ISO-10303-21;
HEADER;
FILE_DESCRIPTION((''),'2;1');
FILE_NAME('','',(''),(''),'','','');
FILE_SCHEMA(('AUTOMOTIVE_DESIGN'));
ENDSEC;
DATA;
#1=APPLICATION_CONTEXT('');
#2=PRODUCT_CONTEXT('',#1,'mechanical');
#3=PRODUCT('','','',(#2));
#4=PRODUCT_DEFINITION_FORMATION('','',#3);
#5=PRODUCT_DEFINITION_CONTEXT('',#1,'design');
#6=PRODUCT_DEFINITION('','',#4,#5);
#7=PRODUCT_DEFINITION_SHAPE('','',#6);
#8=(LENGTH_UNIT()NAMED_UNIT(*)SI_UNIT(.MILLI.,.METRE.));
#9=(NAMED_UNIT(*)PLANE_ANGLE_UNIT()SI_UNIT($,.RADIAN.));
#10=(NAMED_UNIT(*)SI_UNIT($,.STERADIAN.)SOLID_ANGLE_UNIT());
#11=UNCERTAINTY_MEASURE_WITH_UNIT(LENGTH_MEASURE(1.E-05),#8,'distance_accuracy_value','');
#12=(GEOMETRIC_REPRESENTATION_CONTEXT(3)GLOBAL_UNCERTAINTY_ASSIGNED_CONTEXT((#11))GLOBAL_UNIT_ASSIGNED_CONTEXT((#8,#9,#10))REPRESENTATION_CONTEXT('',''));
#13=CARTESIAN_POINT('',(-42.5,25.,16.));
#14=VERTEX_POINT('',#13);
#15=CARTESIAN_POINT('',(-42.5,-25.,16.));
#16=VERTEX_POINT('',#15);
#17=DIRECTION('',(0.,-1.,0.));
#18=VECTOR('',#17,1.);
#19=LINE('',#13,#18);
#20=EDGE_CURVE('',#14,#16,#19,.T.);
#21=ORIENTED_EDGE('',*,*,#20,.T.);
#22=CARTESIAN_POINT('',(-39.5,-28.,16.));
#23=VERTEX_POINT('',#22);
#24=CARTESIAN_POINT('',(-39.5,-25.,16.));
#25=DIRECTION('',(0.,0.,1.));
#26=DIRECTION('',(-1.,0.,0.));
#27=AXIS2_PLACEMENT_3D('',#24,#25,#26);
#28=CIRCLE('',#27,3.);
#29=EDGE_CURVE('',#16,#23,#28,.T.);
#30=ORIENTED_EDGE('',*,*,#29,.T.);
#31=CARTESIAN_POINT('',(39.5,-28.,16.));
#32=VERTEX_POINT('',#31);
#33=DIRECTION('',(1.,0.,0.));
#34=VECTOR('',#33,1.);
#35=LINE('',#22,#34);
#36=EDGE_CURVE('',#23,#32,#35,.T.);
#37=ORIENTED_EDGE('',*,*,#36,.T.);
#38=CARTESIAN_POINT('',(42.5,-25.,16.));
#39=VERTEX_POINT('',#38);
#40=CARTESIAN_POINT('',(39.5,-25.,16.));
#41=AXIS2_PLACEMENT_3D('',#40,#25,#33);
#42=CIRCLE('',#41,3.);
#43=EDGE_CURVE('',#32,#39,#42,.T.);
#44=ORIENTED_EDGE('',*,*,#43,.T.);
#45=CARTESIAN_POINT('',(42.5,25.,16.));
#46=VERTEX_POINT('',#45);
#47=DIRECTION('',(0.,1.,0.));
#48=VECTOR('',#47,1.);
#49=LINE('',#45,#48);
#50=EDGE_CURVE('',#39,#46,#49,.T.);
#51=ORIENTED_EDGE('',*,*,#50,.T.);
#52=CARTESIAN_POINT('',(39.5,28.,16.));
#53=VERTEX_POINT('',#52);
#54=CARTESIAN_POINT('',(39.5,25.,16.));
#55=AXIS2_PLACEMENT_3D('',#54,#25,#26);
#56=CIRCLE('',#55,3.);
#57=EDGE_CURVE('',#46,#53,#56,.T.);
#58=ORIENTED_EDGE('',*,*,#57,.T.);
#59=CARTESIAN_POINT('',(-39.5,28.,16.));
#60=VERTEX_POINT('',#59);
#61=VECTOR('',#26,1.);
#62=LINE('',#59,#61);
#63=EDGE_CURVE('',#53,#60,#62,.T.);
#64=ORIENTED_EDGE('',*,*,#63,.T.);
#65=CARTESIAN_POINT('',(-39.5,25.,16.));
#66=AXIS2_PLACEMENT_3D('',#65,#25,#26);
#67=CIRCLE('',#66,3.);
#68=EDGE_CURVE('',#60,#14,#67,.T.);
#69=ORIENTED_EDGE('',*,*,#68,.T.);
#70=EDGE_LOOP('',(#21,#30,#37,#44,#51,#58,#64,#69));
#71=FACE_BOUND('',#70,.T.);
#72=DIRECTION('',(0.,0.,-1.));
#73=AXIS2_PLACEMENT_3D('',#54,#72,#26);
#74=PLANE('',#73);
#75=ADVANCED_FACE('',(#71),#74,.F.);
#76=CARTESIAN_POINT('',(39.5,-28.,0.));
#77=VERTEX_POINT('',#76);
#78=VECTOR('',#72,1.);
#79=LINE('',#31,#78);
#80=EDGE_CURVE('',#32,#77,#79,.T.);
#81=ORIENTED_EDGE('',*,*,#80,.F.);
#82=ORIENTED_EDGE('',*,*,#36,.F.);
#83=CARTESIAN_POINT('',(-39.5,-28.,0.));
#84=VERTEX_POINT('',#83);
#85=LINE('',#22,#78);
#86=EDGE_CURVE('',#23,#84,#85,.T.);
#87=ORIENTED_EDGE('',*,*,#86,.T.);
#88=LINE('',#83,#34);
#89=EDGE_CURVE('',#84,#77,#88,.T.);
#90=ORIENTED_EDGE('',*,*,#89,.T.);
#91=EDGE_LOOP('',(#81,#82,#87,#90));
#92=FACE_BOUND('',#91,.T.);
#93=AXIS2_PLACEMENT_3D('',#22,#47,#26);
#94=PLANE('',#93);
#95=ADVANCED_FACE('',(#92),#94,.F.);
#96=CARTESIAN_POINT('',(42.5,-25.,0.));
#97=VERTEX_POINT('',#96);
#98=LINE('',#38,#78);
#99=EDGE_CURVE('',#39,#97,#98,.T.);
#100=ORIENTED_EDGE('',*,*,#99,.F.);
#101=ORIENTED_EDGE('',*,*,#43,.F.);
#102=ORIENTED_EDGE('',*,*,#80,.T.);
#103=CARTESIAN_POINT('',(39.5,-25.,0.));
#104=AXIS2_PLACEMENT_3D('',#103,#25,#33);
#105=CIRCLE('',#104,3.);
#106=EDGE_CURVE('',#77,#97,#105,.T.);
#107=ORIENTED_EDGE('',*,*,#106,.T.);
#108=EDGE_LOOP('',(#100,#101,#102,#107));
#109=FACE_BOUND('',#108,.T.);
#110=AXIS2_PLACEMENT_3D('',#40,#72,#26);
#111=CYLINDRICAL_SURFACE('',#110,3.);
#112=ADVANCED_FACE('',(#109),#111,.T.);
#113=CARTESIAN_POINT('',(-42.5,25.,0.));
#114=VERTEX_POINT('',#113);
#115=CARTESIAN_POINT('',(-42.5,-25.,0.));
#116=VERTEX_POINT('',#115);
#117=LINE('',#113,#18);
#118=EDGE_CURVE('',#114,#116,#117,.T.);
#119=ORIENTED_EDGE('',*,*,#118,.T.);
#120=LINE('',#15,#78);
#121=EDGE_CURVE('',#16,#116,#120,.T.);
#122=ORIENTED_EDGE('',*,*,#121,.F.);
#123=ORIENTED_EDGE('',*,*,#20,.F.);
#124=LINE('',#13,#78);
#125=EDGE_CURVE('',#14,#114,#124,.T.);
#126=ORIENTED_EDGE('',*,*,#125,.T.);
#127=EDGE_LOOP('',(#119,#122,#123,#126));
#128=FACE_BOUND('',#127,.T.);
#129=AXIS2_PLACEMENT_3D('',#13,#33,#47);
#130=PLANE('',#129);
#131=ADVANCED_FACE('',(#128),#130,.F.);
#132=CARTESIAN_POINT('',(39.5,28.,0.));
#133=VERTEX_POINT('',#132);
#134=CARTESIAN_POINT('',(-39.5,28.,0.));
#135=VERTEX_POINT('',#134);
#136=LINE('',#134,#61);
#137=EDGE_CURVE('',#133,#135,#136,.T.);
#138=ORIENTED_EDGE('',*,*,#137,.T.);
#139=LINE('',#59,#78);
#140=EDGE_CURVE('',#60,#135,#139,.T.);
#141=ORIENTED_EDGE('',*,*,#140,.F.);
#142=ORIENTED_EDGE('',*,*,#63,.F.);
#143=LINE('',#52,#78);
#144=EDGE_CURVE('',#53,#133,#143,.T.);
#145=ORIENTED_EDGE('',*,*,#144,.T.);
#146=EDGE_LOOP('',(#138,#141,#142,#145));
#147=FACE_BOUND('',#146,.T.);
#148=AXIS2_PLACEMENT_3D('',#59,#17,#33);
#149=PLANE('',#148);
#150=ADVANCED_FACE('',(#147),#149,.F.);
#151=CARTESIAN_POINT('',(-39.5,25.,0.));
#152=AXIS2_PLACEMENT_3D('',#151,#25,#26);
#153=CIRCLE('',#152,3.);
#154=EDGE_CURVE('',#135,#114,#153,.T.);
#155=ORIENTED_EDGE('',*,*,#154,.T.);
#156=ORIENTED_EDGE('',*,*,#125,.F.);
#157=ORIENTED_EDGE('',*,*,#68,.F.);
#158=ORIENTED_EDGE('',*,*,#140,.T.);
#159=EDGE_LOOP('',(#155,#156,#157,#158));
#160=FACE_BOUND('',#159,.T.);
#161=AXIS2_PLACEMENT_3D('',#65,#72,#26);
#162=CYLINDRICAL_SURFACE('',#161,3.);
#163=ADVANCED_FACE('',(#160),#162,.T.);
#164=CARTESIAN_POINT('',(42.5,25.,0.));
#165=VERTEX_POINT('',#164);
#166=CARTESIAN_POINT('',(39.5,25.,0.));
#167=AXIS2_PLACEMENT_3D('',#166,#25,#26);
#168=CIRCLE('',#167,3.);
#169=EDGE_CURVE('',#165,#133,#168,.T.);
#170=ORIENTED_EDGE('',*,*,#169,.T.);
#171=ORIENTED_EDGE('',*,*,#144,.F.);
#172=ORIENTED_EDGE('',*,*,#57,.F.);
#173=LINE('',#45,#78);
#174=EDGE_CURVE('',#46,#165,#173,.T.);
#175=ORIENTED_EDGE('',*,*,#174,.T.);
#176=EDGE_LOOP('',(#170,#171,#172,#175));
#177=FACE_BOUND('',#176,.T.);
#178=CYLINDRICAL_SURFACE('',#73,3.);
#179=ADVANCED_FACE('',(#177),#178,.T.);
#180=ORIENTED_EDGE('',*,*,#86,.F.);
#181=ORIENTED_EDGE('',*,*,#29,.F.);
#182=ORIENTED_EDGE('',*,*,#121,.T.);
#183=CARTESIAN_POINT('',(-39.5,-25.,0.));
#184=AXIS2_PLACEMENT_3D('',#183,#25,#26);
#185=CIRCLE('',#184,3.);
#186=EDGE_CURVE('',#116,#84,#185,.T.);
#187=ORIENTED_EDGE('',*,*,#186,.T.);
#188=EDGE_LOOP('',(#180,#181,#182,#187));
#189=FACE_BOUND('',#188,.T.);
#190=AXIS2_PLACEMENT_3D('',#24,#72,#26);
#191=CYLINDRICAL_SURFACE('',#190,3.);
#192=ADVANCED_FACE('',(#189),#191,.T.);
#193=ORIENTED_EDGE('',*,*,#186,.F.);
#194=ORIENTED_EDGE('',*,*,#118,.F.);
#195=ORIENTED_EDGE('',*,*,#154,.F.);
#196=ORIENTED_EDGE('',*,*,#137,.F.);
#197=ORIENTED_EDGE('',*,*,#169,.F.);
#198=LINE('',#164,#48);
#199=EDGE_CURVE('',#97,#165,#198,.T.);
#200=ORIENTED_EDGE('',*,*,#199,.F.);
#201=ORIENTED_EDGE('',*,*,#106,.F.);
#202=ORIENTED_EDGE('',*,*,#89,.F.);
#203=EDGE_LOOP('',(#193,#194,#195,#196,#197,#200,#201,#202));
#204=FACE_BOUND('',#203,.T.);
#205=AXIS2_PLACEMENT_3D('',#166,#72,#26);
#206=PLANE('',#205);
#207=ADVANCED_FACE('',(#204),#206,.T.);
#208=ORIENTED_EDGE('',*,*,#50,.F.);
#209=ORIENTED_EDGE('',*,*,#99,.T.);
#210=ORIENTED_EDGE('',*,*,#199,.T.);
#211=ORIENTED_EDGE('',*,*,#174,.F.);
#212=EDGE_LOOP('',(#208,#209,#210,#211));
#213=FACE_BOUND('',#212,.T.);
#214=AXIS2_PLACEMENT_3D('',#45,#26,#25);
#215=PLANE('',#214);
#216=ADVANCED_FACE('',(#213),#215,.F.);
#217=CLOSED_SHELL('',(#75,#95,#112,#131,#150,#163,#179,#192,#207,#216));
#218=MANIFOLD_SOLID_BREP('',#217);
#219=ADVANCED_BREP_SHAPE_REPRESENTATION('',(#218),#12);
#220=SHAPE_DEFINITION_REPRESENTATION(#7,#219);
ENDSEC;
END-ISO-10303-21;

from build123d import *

# Parameters (mm, degrees)
BOSS_EXTRUDE1_DEPTH = 16


with BuildPart() as part:
    # Sketch1 → Boss-Extrude1 (new body)
    with BuildSketch(Plane.XY):
        with BuildLine():
            Line((-39.5, 28), (39.5, 28))
            ThreePointArc((39.5, 28), (41.621320344, 27.121320344), (42.5, 25))
            Line((42.5, 25), (42.5, -25))
            ThreePointArc((42.5, -25), (41.621320344, -27.121320344), (39.5, -28))
            Line((39.5, -28), (-39.5, -28))
            ThreePointArc((-39.5, -28), (-41.621320344, -27.121320344), (-42.5, -25))
            Line((-42.5, -25), (-42.5, 25))
            ThreePointArc((-42.5, 25), (-41.621320344, 27.121320344), (-39.5, 28))
        make_face()
    extrude(amount=BOSS_EXTRUDE1_DEPTH)


solid = part.part
